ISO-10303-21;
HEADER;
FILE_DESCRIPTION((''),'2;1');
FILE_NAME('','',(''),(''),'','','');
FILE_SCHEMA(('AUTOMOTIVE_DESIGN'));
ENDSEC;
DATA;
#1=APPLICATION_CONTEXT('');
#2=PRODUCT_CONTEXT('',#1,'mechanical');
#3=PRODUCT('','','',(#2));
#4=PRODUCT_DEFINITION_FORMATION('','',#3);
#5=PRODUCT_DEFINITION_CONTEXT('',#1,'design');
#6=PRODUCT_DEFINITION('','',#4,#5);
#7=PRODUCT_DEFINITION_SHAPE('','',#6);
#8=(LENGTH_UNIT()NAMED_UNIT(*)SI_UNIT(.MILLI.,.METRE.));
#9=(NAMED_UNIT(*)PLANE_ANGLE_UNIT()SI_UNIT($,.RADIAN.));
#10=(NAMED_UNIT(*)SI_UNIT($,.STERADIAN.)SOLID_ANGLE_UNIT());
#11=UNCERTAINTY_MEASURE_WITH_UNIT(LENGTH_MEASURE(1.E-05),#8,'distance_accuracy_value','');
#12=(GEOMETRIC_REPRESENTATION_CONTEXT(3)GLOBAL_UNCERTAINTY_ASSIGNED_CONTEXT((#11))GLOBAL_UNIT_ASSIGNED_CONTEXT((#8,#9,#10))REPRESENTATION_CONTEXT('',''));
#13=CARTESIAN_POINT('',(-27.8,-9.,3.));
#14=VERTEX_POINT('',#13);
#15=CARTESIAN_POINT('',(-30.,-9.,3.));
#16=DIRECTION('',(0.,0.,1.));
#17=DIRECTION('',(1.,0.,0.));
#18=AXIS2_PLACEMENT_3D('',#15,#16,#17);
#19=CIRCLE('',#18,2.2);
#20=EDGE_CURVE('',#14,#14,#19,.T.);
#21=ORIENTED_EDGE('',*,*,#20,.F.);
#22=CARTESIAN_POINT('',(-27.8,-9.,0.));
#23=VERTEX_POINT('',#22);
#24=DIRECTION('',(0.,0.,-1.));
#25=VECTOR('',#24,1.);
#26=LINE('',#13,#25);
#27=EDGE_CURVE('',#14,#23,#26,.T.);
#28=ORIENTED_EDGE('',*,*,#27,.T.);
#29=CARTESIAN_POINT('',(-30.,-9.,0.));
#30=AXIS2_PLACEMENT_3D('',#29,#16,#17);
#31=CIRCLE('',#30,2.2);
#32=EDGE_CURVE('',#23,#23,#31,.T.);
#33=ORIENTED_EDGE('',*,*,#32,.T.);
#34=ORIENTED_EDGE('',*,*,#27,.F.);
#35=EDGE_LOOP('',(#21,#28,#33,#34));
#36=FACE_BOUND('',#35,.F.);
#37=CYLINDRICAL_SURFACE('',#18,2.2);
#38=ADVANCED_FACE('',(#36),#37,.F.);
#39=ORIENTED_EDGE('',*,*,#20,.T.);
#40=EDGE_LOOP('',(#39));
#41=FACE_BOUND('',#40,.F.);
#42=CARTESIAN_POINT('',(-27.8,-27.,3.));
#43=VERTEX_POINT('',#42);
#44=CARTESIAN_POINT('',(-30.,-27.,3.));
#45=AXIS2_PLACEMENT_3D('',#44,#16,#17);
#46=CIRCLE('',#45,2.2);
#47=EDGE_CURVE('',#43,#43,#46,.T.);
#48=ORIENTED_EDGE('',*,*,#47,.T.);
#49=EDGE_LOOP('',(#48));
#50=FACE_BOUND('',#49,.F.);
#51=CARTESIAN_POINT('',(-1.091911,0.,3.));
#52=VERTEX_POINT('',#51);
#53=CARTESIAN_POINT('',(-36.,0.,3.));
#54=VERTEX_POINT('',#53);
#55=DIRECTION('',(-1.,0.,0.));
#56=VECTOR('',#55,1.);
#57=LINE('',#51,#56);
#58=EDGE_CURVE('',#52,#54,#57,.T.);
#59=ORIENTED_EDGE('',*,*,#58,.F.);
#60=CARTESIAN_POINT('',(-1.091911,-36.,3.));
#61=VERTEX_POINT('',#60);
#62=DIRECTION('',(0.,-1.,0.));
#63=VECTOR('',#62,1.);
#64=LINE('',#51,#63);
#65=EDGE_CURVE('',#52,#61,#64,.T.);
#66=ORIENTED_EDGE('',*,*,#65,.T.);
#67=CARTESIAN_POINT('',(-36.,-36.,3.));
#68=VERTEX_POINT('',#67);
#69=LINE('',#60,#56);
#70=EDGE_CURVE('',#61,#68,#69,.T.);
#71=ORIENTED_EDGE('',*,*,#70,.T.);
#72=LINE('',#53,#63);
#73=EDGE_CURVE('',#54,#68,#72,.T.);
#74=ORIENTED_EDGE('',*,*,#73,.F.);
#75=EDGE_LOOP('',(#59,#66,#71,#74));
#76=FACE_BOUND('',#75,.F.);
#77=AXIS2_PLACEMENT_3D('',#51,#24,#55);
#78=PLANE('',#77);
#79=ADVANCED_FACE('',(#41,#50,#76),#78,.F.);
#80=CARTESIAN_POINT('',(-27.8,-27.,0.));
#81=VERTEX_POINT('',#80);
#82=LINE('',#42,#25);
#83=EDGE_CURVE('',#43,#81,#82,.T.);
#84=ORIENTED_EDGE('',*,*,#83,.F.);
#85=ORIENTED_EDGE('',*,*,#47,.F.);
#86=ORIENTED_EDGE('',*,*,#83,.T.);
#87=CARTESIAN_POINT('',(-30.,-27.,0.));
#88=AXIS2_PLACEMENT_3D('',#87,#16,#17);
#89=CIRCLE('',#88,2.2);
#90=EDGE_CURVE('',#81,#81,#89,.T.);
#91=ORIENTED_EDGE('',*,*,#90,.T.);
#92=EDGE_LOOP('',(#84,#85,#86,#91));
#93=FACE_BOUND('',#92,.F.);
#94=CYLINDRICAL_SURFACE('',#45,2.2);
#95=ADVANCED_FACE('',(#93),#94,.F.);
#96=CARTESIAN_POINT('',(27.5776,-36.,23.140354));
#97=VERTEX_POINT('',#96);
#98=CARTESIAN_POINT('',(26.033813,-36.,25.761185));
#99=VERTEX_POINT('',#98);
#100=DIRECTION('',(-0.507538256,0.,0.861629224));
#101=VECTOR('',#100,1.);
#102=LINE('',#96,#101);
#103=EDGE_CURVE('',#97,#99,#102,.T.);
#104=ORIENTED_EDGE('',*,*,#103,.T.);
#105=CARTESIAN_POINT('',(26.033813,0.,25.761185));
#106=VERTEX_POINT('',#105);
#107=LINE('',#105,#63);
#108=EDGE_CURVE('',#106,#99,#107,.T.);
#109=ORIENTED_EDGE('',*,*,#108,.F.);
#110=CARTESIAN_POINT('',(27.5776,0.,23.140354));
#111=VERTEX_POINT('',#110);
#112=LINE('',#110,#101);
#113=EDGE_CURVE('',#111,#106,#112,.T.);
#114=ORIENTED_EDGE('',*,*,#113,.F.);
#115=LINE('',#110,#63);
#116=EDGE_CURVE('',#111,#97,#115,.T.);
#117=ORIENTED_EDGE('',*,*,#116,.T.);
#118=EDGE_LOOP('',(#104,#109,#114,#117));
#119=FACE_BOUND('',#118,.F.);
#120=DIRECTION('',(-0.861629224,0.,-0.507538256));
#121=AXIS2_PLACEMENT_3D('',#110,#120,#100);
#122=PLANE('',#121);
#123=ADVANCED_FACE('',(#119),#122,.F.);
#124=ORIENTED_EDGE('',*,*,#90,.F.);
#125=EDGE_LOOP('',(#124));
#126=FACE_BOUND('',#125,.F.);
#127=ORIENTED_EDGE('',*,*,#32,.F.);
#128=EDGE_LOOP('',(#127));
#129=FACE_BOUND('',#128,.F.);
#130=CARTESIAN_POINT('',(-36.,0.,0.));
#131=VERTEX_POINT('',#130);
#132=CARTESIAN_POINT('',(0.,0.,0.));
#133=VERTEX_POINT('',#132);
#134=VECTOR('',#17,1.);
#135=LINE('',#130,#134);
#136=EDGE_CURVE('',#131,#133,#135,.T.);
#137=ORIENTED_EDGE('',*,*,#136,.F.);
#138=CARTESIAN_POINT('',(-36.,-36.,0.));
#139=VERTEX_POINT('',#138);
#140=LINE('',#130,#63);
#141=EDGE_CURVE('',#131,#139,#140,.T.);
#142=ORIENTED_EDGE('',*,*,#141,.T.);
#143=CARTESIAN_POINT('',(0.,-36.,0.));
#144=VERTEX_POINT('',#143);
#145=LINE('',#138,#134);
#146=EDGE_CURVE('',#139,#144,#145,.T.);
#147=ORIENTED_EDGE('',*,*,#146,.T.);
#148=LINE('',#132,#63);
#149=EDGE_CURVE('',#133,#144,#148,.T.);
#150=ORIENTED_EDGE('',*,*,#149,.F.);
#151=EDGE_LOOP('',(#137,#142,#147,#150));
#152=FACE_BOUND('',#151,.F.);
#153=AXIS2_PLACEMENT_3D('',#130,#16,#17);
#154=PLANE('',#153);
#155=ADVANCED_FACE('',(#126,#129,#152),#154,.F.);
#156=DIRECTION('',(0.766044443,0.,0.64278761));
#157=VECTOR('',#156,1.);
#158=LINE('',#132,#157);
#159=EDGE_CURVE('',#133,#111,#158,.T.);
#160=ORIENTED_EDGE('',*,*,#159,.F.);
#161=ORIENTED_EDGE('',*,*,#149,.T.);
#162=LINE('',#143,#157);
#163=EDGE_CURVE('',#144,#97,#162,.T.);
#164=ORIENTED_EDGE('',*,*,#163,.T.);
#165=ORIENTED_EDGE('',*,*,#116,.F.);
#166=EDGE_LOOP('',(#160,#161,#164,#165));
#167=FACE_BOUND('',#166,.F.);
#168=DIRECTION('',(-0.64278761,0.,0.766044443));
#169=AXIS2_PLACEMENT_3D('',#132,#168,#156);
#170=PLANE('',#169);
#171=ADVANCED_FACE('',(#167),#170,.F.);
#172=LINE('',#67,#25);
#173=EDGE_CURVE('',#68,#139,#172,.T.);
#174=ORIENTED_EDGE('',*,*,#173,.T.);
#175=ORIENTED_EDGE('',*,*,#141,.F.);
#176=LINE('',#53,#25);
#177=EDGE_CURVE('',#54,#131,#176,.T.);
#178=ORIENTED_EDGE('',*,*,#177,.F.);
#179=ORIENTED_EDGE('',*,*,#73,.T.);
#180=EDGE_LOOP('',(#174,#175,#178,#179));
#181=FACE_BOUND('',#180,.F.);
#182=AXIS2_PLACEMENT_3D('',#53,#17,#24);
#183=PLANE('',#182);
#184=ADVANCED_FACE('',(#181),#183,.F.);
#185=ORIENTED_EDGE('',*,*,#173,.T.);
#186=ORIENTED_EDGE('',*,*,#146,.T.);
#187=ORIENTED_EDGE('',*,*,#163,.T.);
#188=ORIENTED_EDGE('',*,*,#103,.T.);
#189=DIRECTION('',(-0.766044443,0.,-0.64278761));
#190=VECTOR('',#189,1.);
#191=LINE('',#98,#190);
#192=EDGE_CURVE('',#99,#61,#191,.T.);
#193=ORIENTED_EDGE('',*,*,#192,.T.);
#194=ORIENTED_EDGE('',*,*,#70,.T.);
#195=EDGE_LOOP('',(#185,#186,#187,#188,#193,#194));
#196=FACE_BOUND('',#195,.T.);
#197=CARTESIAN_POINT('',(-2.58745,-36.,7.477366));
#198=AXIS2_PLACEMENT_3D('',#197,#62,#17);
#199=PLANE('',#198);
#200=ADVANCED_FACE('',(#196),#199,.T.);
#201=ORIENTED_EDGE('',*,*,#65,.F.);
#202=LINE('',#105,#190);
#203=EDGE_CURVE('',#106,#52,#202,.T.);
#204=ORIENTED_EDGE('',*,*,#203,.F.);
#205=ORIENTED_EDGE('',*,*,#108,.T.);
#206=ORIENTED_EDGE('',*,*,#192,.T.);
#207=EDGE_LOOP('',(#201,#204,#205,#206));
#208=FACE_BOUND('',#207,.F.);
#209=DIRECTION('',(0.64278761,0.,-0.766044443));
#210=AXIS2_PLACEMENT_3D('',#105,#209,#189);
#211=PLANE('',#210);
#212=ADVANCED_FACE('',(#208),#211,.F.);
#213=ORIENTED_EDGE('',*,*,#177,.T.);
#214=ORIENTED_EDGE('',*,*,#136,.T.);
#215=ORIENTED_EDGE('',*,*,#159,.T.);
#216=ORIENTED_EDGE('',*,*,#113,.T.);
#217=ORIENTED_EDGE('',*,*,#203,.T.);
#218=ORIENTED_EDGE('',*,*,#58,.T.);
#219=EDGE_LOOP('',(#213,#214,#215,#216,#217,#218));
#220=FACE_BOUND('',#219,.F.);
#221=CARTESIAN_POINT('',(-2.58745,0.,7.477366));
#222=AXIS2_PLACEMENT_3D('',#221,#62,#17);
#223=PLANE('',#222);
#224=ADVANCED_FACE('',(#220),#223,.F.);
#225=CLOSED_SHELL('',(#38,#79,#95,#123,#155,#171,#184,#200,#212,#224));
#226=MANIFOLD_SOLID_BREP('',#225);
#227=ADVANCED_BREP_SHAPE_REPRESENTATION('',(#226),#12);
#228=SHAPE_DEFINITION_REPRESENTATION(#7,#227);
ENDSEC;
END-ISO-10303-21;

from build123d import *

# Parameters (mm, degrees)
F1_DEPTH = 36
F2_R     = 2.2
F3_DEPTH = 3.001


with BuildPart() as f1:
    # F0 (on Front) → F1 (new body)
    with BuildSketch(Plane.XZ):
        Polygon((-36, 0), (0, 0), (27.5776, 23.140354), (26.033813, 25.761185), (-1.091911, 3), (-36, 3), align=None)
    extrude(amount=F1_DEPTH)

    # F2 (on face) → F3 (cut, through all)
    with BuildSketch(Plane.XY.offset(3)):
        with Locations((-30, -9)):
            Circle(F2_R)
        with Locations((-30, -27)):
            Circle(F2_R)
    extrude(amount=-F3_DEPTH, mode=Mode.SUBTRACT)


solid = f1.part
